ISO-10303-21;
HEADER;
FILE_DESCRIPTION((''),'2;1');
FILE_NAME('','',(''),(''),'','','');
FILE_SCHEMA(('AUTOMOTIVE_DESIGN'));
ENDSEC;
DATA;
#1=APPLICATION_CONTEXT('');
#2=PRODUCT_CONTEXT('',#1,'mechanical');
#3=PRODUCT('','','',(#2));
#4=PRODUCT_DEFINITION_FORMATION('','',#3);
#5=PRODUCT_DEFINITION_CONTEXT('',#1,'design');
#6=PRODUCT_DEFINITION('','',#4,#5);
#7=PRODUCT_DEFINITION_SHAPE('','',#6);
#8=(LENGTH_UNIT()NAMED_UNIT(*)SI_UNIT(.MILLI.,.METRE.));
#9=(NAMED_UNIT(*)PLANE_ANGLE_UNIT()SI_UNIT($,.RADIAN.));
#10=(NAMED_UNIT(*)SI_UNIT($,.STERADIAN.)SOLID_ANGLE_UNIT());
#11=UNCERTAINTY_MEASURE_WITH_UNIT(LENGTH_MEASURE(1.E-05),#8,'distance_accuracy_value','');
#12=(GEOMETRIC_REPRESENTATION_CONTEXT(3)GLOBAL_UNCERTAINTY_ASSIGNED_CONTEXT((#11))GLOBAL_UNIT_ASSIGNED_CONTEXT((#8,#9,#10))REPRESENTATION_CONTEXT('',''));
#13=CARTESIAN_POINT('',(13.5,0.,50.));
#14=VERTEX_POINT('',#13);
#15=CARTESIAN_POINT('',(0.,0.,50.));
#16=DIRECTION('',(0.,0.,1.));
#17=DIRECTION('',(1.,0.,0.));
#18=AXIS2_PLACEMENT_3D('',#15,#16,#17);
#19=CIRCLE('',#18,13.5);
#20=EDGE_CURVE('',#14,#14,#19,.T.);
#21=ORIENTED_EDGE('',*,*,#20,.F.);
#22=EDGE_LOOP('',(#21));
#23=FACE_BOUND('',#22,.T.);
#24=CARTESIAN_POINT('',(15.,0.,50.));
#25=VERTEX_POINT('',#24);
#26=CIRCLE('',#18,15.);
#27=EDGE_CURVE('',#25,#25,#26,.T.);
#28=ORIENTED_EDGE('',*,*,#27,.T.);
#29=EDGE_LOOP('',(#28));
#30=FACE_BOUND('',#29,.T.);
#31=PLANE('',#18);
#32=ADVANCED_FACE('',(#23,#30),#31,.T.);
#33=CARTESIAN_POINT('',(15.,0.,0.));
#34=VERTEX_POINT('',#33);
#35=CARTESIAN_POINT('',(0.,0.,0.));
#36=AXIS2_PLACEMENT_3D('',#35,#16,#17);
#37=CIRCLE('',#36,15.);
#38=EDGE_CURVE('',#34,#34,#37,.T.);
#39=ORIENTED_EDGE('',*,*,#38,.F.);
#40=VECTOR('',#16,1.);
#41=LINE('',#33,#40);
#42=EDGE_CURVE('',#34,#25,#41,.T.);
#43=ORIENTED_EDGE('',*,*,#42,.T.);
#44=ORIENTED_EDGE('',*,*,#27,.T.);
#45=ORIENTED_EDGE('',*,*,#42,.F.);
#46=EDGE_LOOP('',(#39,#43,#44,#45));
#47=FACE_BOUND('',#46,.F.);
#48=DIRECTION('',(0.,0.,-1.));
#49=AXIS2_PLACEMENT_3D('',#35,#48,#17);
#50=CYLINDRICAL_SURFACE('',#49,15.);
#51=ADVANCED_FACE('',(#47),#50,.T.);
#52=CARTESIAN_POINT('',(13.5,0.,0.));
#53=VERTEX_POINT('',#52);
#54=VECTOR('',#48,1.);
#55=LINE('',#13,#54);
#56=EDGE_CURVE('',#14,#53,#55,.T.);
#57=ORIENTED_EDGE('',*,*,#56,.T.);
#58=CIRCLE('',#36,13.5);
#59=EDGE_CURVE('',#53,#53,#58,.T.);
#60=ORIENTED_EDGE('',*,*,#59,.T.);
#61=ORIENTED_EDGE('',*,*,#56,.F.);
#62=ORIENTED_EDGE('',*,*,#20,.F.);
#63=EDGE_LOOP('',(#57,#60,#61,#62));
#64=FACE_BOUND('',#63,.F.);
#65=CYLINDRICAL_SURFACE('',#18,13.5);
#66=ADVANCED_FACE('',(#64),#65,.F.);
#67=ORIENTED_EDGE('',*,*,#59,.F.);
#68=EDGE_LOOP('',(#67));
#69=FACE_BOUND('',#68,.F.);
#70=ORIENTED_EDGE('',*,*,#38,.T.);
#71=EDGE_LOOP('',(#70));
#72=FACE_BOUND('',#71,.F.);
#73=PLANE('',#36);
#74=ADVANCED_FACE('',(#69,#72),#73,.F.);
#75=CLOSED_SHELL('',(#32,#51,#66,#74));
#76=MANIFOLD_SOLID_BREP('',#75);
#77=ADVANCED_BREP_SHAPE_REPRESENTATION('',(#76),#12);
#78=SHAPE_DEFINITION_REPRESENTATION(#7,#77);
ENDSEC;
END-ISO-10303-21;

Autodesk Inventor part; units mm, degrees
ref_plane "YZ Plane" through (0, 0, 0) normal (1, 0, 0) x (0, 1, 0)
ref_plane "XZ Plane" through (0, 0, 0) normal (0, 1, 0) x (-1, 0, 0)
ref_plane "XY Plane" through (0, 0, 0) normal (0, 0, 1) x (1, 0, 0)
sketch "Sketch1" plane through (0, 0, 0) normal (0, 0, 1) x (1, 0, 0)
  circle A0 centre (0, 0) radius 15
  dimension "d0" = 30
extrude "Extrusion1" add sketch "Sketch1" along normal blind 50
sketch "Sketch2" plane through (0, 0, 50) normal (0, 0, 1) x (1, 0, 0)
  circle A0 centre (0, 0) radius 13.5
  dimension "d3" = 27
extrude "Extrusion2" cut sketch "Sketch2" against normal blind 50
properties part number "lk"
